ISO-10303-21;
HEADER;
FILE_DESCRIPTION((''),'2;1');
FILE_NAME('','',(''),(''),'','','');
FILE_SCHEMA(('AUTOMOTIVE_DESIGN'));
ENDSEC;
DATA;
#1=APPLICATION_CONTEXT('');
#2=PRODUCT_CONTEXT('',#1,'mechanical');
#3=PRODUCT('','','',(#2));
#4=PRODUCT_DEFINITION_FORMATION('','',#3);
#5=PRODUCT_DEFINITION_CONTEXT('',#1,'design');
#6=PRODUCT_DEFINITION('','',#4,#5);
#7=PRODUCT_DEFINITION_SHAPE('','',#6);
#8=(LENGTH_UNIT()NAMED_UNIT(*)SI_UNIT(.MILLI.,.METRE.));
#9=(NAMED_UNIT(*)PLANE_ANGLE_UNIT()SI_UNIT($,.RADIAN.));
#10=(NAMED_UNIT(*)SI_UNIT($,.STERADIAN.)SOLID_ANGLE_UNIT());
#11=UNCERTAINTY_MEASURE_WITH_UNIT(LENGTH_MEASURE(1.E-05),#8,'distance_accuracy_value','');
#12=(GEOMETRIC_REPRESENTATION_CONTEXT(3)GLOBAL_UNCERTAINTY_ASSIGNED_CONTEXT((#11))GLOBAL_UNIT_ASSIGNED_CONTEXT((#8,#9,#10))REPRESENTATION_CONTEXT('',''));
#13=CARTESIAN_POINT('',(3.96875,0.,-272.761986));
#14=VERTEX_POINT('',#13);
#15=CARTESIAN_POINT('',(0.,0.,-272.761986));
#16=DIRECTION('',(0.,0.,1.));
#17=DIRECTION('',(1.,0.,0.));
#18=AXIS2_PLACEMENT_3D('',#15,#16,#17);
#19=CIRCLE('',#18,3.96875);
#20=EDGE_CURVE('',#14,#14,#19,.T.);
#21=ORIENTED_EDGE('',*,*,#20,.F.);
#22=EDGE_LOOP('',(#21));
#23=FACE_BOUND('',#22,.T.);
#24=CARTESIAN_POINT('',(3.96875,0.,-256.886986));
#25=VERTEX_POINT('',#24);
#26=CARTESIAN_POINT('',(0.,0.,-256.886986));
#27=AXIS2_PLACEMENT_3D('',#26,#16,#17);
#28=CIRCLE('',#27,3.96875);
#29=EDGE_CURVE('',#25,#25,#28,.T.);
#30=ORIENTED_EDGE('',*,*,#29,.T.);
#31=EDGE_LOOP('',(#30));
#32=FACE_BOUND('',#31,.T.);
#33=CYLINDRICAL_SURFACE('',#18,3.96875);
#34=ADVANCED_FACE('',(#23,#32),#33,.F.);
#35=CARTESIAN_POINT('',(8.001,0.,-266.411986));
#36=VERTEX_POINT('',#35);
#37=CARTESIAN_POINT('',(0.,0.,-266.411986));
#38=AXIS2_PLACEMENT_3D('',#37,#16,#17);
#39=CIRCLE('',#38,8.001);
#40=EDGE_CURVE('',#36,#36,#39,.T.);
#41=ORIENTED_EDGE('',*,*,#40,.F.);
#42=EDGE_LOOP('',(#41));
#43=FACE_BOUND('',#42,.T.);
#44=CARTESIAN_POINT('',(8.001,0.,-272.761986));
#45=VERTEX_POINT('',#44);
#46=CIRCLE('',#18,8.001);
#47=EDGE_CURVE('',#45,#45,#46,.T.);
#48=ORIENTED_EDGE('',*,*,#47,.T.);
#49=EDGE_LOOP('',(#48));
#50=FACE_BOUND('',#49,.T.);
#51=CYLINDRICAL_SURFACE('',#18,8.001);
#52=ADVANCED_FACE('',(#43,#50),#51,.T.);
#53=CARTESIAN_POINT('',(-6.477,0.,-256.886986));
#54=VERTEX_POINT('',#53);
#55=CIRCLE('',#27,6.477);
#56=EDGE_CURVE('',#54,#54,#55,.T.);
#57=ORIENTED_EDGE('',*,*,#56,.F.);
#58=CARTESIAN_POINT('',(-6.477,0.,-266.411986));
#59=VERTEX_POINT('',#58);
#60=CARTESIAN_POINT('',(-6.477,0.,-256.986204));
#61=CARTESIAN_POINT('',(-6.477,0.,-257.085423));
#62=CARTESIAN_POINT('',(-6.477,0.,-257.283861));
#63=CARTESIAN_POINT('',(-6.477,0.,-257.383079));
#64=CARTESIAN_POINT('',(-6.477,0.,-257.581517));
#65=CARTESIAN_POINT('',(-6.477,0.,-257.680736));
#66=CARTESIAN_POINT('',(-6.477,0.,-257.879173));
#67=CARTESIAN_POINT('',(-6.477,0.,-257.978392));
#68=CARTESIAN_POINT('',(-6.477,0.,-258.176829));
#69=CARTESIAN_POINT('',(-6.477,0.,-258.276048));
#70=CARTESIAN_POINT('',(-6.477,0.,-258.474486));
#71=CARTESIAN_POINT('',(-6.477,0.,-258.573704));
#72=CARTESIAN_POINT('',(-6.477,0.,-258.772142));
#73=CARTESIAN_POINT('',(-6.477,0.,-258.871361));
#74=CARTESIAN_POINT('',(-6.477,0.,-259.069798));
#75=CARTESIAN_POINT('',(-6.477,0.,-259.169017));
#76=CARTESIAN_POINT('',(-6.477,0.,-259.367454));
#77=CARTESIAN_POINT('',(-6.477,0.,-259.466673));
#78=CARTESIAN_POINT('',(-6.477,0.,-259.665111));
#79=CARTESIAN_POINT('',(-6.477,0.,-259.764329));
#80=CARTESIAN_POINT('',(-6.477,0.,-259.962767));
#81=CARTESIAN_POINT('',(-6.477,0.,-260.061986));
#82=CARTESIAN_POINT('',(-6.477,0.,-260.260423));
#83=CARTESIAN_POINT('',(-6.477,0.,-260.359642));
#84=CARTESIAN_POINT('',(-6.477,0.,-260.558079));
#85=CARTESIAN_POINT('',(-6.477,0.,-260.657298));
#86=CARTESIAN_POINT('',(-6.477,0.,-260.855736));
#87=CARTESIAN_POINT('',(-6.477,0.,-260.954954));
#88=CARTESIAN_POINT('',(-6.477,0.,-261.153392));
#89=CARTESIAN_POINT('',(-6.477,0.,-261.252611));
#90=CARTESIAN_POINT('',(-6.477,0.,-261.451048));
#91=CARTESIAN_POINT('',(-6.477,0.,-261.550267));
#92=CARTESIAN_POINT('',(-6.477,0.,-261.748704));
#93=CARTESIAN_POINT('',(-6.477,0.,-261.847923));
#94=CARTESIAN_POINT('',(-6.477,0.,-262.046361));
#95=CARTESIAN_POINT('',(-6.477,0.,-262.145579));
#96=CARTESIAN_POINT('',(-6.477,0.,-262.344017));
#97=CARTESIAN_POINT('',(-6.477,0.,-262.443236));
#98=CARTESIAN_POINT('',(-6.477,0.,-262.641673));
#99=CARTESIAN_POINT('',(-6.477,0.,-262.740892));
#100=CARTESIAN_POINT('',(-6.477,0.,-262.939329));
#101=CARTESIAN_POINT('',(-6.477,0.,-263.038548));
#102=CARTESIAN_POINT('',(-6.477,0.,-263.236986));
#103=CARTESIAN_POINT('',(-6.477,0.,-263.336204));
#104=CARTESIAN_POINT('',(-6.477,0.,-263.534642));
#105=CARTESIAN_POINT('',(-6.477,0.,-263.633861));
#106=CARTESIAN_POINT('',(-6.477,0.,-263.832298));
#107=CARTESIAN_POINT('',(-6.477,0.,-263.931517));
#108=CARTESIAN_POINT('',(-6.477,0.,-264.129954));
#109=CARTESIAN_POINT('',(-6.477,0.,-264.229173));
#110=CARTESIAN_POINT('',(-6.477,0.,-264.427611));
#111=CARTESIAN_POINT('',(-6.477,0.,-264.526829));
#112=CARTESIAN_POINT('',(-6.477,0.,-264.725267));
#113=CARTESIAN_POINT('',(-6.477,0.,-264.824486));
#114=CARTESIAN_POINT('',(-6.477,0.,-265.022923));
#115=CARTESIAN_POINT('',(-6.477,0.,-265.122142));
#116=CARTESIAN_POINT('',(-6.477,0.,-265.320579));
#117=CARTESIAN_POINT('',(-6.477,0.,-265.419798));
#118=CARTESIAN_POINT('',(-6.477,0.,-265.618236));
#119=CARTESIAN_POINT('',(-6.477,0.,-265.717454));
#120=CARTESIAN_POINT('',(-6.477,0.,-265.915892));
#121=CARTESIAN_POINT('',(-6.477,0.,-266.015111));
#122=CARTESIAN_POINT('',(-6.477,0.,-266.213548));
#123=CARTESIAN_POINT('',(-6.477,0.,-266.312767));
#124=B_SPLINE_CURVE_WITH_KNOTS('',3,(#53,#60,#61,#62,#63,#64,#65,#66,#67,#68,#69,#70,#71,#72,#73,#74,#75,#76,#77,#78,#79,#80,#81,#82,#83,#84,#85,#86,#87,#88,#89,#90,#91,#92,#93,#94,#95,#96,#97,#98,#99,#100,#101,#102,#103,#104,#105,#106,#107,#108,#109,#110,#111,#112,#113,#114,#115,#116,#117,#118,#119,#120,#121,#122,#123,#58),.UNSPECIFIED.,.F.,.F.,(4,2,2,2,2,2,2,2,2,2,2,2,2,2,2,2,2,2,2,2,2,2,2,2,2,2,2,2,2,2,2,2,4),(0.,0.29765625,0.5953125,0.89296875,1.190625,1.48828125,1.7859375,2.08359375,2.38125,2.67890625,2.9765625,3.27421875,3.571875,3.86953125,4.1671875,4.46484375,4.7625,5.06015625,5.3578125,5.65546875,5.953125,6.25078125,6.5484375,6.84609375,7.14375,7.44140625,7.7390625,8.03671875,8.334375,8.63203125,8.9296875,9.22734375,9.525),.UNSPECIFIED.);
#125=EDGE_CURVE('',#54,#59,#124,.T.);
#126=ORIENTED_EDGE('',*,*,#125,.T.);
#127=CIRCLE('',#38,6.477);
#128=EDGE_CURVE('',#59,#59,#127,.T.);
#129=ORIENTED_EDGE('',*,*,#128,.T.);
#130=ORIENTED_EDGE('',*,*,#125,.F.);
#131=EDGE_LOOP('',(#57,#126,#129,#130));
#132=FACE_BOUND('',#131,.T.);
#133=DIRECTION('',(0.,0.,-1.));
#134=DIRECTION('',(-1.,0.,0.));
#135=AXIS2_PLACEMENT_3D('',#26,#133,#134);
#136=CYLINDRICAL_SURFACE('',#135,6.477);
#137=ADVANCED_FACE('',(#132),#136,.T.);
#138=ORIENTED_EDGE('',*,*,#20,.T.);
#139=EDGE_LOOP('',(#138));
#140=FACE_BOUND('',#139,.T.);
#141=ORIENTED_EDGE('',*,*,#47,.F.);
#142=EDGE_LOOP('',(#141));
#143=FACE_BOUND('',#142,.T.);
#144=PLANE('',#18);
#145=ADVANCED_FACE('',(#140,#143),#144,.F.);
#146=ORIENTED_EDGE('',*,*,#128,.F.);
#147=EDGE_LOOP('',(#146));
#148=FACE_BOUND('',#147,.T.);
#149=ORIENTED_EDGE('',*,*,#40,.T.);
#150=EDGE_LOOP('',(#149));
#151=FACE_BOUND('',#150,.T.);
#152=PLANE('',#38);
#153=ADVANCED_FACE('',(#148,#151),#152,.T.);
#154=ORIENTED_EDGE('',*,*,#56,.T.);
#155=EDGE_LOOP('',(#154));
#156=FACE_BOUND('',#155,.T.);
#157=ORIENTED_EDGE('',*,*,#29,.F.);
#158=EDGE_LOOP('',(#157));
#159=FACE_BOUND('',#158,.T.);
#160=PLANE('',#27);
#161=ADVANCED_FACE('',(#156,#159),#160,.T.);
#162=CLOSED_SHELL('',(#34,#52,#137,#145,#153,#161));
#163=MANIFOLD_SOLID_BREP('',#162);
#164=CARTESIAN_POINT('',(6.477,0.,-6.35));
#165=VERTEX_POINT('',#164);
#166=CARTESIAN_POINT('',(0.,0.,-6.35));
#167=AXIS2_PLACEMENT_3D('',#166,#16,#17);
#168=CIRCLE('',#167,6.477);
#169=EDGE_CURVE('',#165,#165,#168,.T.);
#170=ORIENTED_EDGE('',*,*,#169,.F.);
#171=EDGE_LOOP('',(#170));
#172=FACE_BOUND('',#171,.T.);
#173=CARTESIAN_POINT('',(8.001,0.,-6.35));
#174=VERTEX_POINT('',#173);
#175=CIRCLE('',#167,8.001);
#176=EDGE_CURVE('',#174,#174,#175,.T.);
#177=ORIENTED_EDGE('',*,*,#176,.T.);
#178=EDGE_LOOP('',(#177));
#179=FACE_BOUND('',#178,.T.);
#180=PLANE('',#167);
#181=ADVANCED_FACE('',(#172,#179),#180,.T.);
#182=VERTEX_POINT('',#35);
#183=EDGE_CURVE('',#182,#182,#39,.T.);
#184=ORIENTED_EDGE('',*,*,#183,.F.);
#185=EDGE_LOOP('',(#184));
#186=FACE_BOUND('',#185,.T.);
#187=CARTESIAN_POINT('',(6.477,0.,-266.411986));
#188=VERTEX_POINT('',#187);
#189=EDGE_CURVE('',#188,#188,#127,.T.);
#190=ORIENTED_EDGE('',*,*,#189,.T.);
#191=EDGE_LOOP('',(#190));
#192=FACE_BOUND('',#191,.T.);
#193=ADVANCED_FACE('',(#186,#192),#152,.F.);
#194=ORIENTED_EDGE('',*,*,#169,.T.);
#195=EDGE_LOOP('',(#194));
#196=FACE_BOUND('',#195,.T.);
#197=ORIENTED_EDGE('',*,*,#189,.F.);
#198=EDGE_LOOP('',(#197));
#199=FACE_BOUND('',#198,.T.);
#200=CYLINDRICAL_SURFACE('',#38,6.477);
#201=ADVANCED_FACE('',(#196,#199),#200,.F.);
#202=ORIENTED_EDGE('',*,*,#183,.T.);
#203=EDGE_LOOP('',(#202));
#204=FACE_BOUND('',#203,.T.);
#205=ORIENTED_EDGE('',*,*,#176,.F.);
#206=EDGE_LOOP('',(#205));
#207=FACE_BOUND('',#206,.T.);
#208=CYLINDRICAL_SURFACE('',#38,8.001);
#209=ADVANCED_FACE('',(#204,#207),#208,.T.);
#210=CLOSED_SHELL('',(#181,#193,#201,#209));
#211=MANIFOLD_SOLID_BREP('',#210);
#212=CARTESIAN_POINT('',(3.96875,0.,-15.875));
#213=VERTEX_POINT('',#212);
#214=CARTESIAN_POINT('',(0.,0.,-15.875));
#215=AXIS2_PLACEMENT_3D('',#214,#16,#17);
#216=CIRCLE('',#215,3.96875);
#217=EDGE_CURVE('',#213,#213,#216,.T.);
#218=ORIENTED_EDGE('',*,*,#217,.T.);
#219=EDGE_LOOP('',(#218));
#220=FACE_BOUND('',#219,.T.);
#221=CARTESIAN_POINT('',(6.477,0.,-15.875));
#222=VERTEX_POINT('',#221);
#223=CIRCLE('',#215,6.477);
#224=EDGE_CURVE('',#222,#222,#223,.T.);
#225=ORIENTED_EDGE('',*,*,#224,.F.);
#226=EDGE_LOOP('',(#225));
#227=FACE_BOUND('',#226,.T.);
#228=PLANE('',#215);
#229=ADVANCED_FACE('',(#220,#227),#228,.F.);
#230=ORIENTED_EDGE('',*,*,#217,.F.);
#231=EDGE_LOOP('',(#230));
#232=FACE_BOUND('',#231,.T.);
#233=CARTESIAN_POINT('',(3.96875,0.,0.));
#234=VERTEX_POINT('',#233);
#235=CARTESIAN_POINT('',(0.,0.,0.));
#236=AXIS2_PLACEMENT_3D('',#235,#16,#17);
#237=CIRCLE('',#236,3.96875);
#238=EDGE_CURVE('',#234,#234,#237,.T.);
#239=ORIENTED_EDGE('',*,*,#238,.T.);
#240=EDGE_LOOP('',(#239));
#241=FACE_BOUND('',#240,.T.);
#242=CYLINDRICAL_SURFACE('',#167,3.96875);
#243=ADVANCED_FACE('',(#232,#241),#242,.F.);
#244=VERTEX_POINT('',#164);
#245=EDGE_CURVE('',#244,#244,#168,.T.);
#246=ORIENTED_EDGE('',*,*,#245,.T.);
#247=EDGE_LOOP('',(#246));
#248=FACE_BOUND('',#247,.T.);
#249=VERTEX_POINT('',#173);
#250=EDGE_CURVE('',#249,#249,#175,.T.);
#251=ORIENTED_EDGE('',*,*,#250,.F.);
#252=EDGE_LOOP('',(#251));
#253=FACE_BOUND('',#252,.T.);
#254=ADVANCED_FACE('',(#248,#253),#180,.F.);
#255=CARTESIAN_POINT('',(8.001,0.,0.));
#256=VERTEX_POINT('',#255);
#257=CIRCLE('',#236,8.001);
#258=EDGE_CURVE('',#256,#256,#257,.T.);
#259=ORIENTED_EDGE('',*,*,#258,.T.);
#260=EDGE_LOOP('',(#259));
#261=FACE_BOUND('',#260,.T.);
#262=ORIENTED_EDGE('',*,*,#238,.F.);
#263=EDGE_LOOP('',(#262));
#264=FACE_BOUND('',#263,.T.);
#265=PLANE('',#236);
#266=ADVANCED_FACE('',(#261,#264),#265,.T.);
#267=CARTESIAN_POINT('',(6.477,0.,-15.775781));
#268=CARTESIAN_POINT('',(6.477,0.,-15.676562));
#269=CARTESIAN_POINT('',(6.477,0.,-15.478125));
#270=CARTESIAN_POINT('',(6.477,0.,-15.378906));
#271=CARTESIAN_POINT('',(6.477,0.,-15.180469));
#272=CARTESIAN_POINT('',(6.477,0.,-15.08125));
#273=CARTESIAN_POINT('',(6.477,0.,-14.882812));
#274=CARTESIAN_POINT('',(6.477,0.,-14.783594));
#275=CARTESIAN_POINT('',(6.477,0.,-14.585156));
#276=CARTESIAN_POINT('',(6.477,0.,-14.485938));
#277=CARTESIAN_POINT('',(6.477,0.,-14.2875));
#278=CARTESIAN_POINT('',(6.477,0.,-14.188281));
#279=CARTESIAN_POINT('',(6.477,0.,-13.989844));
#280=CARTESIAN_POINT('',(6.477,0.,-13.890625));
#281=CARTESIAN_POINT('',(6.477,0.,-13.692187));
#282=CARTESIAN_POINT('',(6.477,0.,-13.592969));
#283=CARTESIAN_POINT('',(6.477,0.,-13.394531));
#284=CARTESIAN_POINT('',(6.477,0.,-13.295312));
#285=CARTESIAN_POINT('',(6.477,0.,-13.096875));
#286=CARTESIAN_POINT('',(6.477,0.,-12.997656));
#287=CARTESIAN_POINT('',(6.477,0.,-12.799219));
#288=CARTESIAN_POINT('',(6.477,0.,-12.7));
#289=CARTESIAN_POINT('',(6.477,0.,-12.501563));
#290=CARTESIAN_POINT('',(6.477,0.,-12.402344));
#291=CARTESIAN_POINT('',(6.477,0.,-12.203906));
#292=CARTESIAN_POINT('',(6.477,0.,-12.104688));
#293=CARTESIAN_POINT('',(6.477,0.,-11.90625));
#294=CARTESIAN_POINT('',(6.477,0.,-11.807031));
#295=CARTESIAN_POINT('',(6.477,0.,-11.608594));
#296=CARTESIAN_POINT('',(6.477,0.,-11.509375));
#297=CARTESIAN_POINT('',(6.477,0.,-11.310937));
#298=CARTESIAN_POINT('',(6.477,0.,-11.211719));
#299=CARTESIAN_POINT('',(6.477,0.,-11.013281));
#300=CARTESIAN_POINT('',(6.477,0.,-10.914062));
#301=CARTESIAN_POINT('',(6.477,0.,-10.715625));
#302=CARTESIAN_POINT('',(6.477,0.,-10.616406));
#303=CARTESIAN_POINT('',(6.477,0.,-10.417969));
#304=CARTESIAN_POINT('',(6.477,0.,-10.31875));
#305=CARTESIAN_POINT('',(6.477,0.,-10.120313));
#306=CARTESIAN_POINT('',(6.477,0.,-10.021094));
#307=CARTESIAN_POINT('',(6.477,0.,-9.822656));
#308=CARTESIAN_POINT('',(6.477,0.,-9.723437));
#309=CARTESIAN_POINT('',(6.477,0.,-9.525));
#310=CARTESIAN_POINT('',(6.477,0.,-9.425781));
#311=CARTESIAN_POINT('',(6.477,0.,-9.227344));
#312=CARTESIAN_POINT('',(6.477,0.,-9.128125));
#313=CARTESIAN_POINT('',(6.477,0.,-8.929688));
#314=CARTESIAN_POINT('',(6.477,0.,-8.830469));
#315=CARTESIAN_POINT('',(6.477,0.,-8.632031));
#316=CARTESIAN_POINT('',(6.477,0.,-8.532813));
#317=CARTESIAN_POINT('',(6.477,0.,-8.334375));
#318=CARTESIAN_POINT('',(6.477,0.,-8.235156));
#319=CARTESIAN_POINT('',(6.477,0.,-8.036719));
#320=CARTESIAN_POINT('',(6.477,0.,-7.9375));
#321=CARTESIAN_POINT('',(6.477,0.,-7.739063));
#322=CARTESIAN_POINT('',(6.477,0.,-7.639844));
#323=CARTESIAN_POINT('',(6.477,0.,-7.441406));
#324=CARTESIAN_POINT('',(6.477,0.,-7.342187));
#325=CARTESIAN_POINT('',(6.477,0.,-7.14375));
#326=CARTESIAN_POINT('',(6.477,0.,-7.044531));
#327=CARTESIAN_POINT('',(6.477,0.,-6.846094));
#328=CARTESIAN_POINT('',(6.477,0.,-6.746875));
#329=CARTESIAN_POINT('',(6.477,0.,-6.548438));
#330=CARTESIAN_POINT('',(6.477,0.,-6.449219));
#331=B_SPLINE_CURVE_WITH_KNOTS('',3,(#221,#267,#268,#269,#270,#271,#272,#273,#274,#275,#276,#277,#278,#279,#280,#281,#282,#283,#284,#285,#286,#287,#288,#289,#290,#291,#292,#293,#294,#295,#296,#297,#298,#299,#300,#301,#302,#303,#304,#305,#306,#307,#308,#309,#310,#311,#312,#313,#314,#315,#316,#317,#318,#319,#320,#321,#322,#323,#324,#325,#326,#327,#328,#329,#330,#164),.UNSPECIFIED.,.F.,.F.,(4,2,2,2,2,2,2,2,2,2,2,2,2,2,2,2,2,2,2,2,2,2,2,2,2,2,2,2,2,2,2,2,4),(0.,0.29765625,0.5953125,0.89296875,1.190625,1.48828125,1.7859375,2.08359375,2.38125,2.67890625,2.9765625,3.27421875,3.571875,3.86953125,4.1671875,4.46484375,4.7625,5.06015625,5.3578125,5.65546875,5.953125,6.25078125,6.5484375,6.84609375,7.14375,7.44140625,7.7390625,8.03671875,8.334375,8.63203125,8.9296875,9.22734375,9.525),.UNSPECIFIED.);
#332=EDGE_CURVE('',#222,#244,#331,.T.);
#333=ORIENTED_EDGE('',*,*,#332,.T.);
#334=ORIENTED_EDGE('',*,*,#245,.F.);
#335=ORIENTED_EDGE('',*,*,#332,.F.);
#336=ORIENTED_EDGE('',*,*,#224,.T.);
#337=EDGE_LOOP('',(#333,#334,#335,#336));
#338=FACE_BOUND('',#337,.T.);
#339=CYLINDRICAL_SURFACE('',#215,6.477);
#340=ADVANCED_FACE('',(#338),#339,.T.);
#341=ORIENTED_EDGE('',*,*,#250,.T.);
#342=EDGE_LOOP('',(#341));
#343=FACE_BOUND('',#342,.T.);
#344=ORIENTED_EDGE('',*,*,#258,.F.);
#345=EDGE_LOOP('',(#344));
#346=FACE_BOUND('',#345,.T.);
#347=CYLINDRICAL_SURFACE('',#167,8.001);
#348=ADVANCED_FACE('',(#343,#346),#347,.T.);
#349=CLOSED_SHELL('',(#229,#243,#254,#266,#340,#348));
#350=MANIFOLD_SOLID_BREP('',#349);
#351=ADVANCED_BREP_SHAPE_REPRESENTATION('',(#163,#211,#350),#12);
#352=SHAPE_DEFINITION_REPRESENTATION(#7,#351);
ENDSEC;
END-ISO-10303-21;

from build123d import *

# Parameters (mm, degrees)
SKETCH1_R                 = 8.001
SKETCH1_R_2               = 6.477
SKETCH1_R_3               = 3.96875
THREADED_INSERT_1_1_DEPTH = 6.35
THREADED_START            = -6.35
SKETCH1_3_R               = 6.477
SKETCH1_3_R_2             = 3.96875
THREADED_INSERT_1_2_DEPTH = 9.525
TUBE_START                = -6.35
SKETCH1_4_R               = 8.001
SKETCH1_4_R_2             = 6.477
TUBE_EXTRUDE_DEPTH        = 260.061986
THREADED_START_2          = -266.411986
SKETCH1_6_R               = 6.477
SKETCH1_6_R_2             = 3.96875
THREADED_INSERT_2_1_DEPTH = 9.525
SKETCH1_9_R               = 8.001
SKETCH1_9_R_2             = 6.477
SKETCH1_9_R_3             = 3.96875
THREADED_INSERT_2_2_DEPTH = 6.35


with BuildPart() as part:
    # Sketch1 → Threaded insert 1-1 (new body)
    # profile 1 of 2: a face of its own
    with BuildSketch(Plane.XY):
        Circle(SKETCH1_R)
        Circle(SKETCH1_R_2, mode=Mode.SUBTRACT)
    # profile 2 of 2: a face of its own
    with BuildSketch(Plane.XY):
        Circle(SKETCH1_R_2)
        Circle(SKETCH1_R_3, mode=Mode.SUBTRACT)
    extrude(amount=-THREADED_INSERT_1_1_DEPTH)

    # Sketch1<3> → Threaded insert 1-2 (add)
    with BuildSketch(Plane.XY.offset(THREADED_START)):
        Circle(SKETCH1_3_R)
        Circle(SKETCH1_3_R_2, mode=Mode.SUBTRACT)
    extrude(amount=-THREADED_INSERT_1_2_DEPTH)


with BuildPart() as body_2:
    # Sketch1<4> → Tube extrude (new body)
    with BuildSketch(Plane.XY.offset(TUBE_START)):
        Circle(SKETCH1_4_R)
        Circle(SKETCH1_4_R_2, mode=Mode.SUBTRACT)
    extrude(amount=-TUBE_EXTRUDE_DEPTH)


with BuildPart() as body_3:
    # Sketch1<6> → Threaded insert 2-1 (new body)
    with BuildSketch(Plane.XY.offset(THREADED_START_2)):
        Circle(SKETCH1_6_R)
        Circle(SKETCH1_6_R_2, mode=Mode.SUBTRACT)
    extrude(amount=THREADED_INSERT_2_1_DEPTH)


with BuildPart() as body_4:
    # Sketch1<9> → Threaded insert 2-2 (new body)
    # profile 1 of 2: a face of its own
    with BuildSketch(Plane.XY.offset(THREADED_START_2)):
        Circle(SKETCH1_9_R)
        Circle(SKETCH1_9_R_2, mode=Mode.SUBTRACT)
    # profile 2 of 2: a face of its own
    with BuildSketch(Plane.XY.offset(THREADED_START_2)):
        Circle(SKETCH1_9_R_2)
        Circle(SKETCH1_9_R_3, mode=Mode.SUBTRACT)
    extrude(amount=-THREADED_INSERT_2_2_DEPTH)

    # Combine1: union body 3
    add(body_3.part)


solid = Compound([part.part, body_2.part, body_4.part])
